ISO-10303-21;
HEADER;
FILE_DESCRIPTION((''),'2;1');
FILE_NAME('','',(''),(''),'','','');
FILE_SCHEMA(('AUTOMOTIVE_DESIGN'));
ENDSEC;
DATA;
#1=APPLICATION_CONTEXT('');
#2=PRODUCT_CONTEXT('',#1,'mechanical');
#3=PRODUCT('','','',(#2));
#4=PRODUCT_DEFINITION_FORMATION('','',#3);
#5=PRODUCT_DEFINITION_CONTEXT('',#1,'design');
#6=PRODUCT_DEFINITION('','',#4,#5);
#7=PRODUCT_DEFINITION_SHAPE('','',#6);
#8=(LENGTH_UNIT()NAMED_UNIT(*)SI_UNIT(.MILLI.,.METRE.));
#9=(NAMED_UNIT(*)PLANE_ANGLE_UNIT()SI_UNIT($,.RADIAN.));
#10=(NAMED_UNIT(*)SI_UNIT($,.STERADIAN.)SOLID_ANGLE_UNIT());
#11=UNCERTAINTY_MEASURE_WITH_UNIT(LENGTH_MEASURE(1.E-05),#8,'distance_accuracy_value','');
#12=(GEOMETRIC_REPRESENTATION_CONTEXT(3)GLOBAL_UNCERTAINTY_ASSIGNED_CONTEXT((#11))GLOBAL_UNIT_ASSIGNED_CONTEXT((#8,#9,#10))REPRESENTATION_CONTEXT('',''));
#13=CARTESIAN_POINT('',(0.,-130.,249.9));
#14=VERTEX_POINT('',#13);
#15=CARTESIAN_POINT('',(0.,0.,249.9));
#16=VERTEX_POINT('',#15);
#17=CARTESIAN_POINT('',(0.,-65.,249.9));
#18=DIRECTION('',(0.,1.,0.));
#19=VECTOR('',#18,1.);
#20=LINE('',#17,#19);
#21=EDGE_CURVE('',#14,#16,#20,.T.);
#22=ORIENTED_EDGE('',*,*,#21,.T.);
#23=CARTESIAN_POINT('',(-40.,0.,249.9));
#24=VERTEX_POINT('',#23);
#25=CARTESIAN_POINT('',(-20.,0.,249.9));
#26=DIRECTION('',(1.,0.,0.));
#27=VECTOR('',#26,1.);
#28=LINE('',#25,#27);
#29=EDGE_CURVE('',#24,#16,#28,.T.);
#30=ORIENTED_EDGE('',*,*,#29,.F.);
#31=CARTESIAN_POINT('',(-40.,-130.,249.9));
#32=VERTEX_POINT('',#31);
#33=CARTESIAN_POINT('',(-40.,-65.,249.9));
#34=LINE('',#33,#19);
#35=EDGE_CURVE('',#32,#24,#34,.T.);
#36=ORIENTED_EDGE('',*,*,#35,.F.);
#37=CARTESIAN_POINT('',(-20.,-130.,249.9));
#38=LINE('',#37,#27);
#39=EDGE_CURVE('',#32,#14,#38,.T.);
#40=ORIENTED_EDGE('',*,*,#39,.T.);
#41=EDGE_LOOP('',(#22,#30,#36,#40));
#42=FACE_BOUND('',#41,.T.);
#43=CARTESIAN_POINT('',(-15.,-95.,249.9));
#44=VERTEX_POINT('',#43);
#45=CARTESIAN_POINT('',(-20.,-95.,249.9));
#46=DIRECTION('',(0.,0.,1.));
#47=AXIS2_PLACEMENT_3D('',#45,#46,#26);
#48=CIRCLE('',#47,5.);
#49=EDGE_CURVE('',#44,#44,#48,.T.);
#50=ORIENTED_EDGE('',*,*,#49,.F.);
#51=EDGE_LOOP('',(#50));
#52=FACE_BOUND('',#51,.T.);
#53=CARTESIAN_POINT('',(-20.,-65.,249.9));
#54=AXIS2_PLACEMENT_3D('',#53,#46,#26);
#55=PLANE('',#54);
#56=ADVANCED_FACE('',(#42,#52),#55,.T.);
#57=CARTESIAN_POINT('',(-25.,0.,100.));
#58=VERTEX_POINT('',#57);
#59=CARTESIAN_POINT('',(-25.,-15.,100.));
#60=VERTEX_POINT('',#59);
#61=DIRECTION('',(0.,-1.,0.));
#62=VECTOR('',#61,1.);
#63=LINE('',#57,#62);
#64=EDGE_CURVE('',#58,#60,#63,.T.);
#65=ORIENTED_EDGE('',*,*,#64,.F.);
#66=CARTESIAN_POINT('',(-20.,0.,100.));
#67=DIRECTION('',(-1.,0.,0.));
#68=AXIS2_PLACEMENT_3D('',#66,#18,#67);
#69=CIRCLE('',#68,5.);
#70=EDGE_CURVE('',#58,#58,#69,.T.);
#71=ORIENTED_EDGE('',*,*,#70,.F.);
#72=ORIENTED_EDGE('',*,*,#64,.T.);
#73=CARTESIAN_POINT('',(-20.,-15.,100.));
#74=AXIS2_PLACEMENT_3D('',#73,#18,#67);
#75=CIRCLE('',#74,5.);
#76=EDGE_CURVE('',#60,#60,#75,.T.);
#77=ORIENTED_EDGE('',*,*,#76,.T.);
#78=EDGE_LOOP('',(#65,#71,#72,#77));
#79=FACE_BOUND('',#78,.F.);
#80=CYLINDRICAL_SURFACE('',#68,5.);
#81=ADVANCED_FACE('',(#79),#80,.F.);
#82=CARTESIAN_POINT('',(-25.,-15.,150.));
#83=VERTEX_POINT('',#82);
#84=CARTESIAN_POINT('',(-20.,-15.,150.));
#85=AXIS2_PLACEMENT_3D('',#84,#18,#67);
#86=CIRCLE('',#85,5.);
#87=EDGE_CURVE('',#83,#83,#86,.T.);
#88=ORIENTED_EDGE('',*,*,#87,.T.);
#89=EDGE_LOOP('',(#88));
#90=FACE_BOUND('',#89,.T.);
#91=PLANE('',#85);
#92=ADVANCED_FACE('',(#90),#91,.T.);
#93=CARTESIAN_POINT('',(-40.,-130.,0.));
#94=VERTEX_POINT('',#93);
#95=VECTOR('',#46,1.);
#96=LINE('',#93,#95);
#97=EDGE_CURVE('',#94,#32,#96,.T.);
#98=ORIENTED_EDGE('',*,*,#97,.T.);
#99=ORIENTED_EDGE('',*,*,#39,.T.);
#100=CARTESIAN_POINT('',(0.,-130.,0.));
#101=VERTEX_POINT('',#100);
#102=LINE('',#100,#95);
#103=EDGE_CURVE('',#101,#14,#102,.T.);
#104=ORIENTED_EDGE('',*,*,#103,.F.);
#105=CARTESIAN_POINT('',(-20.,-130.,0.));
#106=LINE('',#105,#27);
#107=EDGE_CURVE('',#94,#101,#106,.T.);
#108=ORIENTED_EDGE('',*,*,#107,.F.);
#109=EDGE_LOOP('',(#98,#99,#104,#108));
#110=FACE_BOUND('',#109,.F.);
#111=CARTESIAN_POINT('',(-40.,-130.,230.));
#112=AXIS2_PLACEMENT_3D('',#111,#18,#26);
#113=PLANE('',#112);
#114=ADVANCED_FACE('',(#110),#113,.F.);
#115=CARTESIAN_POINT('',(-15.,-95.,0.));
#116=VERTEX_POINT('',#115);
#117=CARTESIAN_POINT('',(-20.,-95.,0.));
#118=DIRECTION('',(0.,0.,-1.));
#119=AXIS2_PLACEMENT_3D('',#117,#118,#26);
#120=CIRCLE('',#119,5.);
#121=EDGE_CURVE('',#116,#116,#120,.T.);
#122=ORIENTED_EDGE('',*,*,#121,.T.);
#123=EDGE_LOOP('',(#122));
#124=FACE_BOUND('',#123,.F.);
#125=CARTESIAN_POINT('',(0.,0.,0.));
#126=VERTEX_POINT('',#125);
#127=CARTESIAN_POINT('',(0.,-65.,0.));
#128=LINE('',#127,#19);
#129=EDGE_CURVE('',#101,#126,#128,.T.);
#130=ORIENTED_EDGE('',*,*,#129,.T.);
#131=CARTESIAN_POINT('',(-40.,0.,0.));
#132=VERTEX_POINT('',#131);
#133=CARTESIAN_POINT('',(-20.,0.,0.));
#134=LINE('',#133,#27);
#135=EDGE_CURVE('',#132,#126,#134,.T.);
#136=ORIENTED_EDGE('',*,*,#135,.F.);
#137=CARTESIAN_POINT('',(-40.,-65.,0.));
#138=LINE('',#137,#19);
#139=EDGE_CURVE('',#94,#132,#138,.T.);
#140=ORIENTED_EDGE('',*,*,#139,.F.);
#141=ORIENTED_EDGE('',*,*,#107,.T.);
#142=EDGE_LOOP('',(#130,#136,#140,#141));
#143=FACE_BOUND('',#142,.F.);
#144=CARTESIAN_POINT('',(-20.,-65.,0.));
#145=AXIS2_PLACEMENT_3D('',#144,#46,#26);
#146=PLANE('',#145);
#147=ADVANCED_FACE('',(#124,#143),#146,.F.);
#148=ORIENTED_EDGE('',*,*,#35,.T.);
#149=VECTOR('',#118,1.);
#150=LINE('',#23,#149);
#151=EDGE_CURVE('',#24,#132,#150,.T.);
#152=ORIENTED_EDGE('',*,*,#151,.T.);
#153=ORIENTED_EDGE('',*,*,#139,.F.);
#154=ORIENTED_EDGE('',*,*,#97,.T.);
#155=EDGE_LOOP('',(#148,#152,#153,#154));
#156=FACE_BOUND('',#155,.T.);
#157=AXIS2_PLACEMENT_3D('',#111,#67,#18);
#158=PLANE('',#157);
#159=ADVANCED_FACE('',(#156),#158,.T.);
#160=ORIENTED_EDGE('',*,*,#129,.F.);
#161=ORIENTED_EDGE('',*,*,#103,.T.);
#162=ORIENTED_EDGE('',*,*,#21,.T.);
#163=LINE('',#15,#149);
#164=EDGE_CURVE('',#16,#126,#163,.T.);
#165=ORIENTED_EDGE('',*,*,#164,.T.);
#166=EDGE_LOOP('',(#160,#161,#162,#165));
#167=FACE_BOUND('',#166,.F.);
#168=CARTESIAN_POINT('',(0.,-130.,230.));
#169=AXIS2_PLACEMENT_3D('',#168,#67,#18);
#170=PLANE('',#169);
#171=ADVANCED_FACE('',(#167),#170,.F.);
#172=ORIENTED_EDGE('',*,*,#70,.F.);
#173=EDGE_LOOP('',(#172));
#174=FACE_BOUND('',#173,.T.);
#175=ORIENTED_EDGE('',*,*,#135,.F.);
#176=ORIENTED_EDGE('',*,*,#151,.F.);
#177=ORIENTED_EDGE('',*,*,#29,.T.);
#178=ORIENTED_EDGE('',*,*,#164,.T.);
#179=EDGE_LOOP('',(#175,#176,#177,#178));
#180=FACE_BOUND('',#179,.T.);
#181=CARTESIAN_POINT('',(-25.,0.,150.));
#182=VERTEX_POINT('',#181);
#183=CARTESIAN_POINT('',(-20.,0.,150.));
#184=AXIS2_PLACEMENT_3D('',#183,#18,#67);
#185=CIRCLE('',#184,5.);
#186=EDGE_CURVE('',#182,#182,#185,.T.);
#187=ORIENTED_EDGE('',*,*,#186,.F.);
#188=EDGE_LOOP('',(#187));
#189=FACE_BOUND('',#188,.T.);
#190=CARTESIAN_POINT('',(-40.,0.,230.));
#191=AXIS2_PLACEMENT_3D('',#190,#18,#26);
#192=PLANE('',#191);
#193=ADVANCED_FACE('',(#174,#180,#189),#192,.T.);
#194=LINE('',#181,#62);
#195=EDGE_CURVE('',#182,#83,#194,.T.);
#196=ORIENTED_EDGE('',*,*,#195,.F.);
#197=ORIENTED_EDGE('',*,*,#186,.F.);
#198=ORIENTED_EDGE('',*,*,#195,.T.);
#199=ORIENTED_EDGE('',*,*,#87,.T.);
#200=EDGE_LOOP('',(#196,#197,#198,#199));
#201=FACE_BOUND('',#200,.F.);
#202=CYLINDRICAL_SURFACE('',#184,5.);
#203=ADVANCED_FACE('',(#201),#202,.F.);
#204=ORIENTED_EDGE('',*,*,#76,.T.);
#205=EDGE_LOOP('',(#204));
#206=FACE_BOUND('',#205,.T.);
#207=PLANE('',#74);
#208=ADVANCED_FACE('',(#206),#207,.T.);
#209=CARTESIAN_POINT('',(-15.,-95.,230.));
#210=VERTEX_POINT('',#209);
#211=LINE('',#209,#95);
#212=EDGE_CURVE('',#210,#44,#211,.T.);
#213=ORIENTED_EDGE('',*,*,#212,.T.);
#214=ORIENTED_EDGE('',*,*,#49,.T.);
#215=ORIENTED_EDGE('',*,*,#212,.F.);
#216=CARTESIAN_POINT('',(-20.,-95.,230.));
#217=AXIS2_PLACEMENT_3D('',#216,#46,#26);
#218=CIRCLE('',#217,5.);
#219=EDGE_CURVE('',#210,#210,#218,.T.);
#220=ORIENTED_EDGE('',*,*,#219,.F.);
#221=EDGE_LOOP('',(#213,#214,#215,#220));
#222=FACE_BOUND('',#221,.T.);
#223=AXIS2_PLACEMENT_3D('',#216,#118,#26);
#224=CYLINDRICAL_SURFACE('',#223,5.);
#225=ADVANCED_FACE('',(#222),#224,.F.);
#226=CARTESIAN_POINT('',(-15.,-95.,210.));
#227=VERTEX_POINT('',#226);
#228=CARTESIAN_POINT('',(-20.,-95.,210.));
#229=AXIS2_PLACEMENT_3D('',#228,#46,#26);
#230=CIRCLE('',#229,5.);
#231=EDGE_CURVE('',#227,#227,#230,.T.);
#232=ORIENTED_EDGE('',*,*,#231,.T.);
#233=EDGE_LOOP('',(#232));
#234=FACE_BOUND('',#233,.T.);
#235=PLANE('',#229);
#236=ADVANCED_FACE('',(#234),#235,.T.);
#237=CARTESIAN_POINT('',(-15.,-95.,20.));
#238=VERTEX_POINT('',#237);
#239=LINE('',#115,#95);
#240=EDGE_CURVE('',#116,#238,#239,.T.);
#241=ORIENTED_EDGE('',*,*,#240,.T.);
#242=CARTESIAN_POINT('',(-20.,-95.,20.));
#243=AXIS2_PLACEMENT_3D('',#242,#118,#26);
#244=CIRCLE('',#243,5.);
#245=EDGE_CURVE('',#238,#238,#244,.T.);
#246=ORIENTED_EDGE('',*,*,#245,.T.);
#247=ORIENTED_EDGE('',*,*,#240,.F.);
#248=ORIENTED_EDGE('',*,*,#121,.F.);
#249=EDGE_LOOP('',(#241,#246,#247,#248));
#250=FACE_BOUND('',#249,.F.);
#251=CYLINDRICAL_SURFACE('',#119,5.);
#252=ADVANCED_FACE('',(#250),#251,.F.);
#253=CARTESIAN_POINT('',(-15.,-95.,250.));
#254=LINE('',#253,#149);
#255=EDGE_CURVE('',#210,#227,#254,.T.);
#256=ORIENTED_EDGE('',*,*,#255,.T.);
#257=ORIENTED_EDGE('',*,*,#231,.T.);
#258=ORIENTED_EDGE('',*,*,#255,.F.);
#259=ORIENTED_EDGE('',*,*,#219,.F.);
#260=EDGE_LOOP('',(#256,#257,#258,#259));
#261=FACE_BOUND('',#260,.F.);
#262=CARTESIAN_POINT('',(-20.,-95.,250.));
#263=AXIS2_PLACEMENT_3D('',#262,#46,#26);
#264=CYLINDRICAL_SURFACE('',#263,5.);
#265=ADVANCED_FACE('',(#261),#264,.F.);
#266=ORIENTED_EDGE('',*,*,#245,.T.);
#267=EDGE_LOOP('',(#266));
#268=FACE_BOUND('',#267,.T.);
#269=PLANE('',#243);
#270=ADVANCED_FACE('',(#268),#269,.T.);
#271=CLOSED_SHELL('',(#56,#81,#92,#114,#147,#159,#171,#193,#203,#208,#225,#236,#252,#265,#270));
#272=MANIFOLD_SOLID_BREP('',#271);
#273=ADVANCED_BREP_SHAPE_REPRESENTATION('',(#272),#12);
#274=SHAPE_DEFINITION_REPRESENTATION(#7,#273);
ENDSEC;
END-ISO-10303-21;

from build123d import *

# Parameters (mm, degrees)
F0_W      = 40
F0_H      = 130
F1_DEPTH  = 250
F2_R      = 5
F3_DEPTH  = 15
F4_W      = 40
F4_H      = 130
F6_DEPTH  = 20
F5_R      = 5
F7_DEPTH  = 40
F8_R      = 5
F9_DEPTH  = 20
F10_DEPTH = 19.9


with BuildPart() as f1:
    # F0 (on Top) → F1 (new body)
    with BuildSketch(Plane.XY):
        with Locations((-20, -65)):
            Rectangle(F0_W, F0_H)
    extrude(amount=F1_DEPTH)

    # F2 (on face) → F3 (cut)
    with BuildSketch(Plane(origin=(0, 0, 0), x_dir=(-1, 0, 0), z_dir=(0, 1, 0))):
        with Locations((20, 150)):
            Circle(F2_R)
        with Locations((20, 100)):
            Circle(F2_R)
    extrude(amount=-F3_DEPTH, mode=Mode.SUBTRACT)

    # F4 (on face) → F6 (cut)
    with BuildSketch(Plane.XY.offset(250)):
        with Locations((-20, -65)):
            Rectangle(F4_W, F4_H)
    extrude(amount=-F6_DEPTH, mode=Mode.SUBTRACT)

    # F5 (on face) → F7 (cut)
    with BuildSketch(Plane.XY.offset(250)):
        with Locations((-20, -95)):
            Circle(F5_R)
    extrude(amount=-F7_DEPTH, mode=Mode.SUBTRACT)

    # F8 (on face) → F9 (cut)
    with BuildSketch(Plane(origin=(0, 0, 0), x_dir=(1, 0, 0), z_dir=(0, 0, -1))):
        with Locations((-20, 95)):
            Circle(F8_R)
    extrude(amount=-F9_DEPTH, mode=Mode.SUBTRACT)

    # F10 (add): a face of the model
    f10_faces = [f1.faces().sort_by_distance(p)[0] for p in [
        (-20, -64.53993697, 230),
    ]]
    extrude(f10_faces, amount=F10_DEPTH)


solid = f1.part
